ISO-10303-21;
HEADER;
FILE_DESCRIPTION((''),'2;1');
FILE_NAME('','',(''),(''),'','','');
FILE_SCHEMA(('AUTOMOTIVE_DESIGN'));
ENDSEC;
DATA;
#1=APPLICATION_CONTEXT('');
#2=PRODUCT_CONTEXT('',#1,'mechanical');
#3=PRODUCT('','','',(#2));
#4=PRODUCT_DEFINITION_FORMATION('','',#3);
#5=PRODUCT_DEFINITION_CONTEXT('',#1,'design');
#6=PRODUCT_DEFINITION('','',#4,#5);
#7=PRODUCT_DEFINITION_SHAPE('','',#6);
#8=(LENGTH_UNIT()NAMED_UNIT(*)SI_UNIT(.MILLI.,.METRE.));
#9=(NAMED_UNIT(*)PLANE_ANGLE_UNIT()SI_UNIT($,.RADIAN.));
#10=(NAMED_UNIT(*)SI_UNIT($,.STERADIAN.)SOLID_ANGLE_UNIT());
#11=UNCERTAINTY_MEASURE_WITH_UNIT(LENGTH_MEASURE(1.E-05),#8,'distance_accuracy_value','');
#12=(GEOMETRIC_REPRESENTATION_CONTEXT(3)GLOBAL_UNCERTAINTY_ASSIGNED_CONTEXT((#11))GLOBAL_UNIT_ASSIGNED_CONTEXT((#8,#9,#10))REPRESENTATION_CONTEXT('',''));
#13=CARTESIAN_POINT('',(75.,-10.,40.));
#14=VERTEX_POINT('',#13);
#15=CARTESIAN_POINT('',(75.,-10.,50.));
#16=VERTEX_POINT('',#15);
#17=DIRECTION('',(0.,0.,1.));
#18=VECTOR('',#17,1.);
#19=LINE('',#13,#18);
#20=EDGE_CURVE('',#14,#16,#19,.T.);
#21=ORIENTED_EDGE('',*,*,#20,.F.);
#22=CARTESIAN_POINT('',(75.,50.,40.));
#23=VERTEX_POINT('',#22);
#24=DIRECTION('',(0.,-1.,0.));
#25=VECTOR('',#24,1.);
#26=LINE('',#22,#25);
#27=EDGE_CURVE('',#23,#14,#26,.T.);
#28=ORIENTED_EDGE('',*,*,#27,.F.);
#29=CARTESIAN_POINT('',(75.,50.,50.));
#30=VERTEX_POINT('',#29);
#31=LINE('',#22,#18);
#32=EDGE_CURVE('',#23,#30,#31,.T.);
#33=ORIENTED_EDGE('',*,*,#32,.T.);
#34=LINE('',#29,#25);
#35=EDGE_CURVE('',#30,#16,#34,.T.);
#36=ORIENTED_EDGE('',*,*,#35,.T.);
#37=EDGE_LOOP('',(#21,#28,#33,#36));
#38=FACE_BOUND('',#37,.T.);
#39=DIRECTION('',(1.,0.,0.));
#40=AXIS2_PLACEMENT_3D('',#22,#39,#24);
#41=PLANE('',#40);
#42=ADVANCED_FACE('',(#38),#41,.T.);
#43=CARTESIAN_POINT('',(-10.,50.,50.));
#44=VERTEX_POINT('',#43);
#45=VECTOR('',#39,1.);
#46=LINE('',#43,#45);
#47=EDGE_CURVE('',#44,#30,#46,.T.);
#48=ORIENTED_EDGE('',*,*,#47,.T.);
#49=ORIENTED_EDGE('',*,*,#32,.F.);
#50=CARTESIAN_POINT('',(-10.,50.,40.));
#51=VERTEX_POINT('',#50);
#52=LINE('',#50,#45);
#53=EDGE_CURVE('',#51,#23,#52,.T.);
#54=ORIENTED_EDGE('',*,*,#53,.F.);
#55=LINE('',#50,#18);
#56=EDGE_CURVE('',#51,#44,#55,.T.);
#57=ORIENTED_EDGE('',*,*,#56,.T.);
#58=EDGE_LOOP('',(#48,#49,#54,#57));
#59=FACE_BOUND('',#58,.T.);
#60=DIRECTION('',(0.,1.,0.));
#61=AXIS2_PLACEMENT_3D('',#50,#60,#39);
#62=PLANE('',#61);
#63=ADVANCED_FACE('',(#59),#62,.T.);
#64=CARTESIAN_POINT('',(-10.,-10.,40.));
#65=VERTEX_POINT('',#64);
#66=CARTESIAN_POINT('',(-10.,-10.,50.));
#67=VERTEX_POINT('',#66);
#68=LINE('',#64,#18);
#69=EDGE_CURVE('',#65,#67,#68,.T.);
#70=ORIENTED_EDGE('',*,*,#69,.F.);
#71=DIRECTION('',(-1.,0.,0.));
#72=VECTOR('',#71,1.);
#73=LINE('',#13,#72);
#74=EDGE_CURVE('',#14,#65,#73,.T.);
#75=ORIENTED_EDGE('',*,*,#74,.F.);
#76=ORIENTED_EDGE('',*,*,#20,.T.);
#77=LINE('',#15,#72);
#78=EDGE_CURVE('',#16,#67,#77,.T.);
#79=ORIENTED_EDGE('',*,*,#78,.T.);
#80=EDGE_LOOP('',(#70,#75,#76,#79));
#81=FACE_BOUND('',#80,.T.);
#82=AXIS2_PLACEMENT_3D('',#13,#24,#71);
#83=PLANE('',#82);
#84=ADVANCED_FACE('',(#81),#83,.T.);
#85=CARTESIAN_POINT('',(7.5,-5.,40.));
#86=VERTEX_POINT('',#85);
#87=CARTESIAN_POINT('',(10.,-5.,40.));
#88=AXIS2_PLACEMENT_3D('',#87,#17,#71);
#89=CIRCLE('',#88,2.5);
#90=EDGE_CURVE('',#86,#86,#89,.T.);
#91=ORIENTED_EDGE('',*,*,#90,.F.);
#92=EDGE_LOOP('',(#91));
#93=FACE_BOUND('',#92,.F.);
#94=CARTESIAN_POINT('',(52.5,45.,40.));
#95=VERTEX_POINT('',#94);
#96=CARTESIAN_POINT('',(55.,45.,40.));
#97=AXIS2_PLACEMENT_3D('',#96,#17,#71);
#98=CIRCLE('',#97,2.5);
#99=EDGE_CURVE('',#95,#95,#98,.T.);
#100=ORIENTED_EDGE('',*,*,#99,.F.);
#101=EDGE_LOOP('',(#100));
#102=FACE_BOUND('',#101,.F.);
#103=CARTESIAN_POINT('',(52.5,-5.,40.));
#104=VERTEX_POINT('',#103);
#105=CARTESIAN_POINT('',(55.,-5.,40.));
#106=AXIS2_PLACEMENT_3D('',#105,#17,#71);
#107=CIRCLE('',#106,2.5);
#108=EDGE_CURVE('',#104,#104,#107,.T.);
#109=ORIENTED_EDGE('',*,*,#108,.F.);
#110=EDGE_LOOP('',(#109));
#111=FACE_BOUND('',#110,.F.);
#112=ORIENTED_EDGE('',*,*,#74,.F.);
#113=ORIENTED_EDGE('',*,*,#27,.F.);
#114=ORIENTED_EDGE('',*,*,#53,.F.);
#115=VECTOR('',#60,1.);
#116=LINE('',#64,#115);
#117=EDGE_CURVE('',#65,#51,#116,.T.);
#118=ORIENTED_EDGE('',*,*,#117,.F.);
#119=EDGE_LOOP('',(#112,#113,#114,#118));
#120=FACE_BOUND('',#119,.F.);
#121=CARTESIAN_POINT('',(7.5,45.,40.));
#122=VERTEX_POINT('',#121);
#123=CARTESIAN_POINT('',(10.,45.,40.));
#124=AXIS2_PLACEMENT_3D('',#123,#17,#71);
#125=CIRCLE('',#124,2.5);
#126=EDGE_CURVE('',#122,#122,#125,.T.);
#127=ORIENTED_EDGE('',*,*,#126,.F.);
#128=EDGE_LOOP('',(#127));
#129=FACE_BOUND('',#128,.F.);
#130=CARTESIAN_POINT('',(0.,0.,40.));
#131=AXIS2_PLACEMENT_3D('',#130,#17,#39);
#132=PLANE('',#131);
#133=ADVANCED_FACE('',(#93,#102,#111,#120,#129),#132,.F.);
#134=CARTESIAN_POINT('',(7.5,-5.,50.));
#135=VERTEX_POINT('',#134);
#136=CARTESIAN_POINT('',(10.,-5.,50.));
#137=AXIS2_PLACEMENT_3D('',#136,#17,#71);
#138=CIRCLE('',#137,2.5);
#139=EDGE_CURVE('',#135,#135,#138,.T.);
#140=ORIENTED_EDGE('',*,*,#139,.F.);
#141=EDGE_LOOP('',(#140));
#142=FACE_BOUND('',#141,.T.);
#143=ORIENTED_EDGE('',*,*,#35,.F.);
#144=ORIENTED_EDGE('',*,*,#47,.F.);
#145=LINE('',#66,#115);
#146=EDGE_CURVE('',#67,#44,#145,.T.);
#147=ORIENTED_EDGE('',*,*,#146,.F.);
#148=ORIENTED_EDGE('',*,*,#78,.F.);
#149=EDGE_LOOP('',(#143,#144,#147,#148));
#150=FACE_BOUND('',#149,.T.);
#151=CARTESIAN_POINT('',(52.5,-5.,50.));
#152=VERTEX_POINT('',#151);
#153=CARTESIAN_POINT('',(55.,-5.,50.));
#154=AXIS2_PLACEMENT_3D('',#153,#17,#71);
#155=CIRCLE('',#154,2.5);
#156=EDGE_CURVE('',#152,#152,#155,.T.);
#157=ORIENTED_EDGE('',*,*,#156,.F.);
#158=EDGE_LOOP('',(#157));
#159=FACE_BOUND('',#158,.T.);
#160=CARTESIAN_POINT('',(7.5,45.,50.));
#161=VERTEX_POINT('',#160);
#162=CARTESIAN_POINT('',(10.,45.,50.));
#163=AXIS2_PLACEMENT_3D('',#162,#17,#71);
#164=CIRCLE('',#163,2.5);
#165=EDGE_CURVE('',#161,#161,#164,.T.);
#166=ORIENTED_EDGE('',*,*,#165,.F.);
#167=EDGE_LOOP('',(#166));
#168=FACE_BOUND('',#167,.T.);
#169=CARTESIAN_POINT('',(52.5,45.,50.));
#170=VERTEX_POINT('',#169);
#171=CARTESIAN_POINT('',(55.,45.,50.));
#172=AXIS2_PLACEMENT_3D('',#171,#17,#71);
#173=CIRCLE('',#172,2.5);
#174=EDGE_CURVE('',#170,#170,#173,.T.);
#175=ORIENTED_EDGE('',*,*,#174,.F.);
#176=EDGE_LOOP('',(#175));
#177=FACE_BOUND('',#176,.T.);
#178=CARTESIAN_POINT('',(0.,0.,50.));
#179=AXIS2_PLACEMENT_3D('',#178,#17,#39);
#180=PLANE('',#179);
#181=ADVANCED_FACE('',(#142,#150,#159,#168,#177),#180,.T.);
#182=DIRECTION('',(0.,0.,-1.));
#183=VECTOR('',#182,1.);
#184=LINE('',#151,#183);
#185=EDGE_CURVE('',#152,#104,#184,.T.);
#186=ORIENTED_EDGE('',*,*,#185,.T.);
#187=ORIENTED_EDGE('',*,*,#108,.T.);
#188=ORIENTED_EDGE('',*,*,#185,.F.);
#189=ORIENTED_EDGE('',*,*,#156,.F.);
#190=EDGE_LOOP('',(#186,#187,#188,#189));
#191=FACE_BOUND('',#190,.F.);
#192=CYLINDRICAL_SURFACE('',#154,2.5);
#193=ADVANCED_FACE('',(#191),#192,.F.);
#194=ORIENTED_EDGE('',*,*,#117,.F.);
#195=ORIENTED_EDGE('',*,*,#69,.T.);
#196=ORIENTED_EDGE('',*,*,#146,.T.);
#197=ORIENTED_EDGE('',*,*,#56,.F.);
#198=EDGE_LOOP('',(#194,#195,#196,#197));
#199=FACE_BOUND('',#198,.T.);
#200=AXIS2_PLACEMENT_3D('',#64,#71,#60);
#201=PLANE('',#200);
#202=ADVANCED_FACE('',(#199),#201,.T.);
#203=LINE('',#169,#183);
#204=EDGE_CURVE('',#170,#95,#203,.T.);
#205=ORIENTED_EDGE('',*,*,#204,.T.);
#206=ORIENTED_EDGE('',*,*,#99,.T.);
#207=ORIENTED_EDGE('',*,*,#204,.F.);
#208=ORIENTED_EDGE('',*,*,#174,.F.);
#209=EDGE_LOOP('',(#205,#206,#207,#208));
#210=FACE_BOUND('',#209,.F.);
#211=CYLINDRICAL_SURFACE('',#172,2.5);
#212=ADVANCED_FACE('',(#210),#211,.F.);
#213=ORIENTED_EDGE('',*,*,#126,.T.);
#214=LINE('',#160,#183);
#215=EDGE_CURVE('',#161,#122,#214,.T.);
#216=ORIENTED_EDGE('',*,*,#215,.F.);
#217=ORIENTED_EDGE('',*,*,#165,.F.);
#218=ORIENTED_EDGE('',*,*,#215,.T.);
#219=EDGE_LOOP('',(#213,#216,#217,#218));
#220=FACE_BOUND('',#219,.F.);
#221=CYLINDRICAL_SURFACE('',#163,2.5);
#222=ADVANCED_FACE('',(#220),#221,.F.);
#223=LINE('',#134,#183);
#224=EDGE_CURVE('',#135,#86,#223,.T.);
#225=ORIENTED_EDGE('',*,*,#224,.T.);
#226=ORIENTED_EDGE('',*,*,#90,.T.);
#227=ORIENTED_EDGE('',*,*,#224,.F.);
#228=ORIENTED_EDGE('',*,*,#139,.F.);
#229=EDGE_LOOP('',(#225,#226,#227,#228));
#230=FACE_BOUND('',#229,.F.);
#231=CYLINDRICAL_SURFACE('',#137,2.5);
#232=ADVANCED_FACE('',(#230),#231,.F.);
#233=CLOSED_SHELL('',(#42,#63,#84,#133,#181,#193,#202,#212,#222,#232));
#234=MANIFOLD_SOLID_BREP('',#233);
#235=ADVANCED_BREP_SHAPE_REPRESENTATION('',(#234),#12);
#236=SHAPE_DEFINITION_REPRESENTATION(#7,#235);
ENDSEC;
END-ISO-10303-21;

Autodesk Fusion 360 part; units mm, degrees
ref_plane "WorkPlane1" through (0, 0, 40) normal (0, 0, 1) x (1, 0, 0)
sketch "Sketch1" plane through (0, 0, 40) normal (0, 0, 1) x (1, 0, 0)
  line L0 (-10, 50) -> (75, 50)
  line L1 (75, 50) -> (75, -10)
  line L2 (75, -10) -> (-10, -10)
  line L3 (-10, -10) -> (-10, 50)
extrude "Extrude1" add sketch "Sketch1" along normal blind 10
sketch "Sketch2" plane through (0, 0, 50) normal (0, 0, 1) x (-1, 0, 0)
  line L0 (10, 10) -> (-75, 10)
  line L1 (-75, 10) -> (-75, -50)
  line L2 (-75, -50) -> (10, -50)
  line L3 (10, -50) -> (10, 10)
  circle A0 centre (-10, 5) radius 2.5
  circle A1 centre (-55, 5) radius 2.5
  circle A2 centre (-55, -45) radius 2.5
  circle A3 centre (-10, -45) radius 2.5
  dimension "d11" = 5
  dimension "d12" = 5
  dimension "d13" = 5
  dimension "d14" = 5
extrude "Extrude2" cut sketch "Sketch2" against normal blind 10 contours A0 | A1 | A2 | A3
